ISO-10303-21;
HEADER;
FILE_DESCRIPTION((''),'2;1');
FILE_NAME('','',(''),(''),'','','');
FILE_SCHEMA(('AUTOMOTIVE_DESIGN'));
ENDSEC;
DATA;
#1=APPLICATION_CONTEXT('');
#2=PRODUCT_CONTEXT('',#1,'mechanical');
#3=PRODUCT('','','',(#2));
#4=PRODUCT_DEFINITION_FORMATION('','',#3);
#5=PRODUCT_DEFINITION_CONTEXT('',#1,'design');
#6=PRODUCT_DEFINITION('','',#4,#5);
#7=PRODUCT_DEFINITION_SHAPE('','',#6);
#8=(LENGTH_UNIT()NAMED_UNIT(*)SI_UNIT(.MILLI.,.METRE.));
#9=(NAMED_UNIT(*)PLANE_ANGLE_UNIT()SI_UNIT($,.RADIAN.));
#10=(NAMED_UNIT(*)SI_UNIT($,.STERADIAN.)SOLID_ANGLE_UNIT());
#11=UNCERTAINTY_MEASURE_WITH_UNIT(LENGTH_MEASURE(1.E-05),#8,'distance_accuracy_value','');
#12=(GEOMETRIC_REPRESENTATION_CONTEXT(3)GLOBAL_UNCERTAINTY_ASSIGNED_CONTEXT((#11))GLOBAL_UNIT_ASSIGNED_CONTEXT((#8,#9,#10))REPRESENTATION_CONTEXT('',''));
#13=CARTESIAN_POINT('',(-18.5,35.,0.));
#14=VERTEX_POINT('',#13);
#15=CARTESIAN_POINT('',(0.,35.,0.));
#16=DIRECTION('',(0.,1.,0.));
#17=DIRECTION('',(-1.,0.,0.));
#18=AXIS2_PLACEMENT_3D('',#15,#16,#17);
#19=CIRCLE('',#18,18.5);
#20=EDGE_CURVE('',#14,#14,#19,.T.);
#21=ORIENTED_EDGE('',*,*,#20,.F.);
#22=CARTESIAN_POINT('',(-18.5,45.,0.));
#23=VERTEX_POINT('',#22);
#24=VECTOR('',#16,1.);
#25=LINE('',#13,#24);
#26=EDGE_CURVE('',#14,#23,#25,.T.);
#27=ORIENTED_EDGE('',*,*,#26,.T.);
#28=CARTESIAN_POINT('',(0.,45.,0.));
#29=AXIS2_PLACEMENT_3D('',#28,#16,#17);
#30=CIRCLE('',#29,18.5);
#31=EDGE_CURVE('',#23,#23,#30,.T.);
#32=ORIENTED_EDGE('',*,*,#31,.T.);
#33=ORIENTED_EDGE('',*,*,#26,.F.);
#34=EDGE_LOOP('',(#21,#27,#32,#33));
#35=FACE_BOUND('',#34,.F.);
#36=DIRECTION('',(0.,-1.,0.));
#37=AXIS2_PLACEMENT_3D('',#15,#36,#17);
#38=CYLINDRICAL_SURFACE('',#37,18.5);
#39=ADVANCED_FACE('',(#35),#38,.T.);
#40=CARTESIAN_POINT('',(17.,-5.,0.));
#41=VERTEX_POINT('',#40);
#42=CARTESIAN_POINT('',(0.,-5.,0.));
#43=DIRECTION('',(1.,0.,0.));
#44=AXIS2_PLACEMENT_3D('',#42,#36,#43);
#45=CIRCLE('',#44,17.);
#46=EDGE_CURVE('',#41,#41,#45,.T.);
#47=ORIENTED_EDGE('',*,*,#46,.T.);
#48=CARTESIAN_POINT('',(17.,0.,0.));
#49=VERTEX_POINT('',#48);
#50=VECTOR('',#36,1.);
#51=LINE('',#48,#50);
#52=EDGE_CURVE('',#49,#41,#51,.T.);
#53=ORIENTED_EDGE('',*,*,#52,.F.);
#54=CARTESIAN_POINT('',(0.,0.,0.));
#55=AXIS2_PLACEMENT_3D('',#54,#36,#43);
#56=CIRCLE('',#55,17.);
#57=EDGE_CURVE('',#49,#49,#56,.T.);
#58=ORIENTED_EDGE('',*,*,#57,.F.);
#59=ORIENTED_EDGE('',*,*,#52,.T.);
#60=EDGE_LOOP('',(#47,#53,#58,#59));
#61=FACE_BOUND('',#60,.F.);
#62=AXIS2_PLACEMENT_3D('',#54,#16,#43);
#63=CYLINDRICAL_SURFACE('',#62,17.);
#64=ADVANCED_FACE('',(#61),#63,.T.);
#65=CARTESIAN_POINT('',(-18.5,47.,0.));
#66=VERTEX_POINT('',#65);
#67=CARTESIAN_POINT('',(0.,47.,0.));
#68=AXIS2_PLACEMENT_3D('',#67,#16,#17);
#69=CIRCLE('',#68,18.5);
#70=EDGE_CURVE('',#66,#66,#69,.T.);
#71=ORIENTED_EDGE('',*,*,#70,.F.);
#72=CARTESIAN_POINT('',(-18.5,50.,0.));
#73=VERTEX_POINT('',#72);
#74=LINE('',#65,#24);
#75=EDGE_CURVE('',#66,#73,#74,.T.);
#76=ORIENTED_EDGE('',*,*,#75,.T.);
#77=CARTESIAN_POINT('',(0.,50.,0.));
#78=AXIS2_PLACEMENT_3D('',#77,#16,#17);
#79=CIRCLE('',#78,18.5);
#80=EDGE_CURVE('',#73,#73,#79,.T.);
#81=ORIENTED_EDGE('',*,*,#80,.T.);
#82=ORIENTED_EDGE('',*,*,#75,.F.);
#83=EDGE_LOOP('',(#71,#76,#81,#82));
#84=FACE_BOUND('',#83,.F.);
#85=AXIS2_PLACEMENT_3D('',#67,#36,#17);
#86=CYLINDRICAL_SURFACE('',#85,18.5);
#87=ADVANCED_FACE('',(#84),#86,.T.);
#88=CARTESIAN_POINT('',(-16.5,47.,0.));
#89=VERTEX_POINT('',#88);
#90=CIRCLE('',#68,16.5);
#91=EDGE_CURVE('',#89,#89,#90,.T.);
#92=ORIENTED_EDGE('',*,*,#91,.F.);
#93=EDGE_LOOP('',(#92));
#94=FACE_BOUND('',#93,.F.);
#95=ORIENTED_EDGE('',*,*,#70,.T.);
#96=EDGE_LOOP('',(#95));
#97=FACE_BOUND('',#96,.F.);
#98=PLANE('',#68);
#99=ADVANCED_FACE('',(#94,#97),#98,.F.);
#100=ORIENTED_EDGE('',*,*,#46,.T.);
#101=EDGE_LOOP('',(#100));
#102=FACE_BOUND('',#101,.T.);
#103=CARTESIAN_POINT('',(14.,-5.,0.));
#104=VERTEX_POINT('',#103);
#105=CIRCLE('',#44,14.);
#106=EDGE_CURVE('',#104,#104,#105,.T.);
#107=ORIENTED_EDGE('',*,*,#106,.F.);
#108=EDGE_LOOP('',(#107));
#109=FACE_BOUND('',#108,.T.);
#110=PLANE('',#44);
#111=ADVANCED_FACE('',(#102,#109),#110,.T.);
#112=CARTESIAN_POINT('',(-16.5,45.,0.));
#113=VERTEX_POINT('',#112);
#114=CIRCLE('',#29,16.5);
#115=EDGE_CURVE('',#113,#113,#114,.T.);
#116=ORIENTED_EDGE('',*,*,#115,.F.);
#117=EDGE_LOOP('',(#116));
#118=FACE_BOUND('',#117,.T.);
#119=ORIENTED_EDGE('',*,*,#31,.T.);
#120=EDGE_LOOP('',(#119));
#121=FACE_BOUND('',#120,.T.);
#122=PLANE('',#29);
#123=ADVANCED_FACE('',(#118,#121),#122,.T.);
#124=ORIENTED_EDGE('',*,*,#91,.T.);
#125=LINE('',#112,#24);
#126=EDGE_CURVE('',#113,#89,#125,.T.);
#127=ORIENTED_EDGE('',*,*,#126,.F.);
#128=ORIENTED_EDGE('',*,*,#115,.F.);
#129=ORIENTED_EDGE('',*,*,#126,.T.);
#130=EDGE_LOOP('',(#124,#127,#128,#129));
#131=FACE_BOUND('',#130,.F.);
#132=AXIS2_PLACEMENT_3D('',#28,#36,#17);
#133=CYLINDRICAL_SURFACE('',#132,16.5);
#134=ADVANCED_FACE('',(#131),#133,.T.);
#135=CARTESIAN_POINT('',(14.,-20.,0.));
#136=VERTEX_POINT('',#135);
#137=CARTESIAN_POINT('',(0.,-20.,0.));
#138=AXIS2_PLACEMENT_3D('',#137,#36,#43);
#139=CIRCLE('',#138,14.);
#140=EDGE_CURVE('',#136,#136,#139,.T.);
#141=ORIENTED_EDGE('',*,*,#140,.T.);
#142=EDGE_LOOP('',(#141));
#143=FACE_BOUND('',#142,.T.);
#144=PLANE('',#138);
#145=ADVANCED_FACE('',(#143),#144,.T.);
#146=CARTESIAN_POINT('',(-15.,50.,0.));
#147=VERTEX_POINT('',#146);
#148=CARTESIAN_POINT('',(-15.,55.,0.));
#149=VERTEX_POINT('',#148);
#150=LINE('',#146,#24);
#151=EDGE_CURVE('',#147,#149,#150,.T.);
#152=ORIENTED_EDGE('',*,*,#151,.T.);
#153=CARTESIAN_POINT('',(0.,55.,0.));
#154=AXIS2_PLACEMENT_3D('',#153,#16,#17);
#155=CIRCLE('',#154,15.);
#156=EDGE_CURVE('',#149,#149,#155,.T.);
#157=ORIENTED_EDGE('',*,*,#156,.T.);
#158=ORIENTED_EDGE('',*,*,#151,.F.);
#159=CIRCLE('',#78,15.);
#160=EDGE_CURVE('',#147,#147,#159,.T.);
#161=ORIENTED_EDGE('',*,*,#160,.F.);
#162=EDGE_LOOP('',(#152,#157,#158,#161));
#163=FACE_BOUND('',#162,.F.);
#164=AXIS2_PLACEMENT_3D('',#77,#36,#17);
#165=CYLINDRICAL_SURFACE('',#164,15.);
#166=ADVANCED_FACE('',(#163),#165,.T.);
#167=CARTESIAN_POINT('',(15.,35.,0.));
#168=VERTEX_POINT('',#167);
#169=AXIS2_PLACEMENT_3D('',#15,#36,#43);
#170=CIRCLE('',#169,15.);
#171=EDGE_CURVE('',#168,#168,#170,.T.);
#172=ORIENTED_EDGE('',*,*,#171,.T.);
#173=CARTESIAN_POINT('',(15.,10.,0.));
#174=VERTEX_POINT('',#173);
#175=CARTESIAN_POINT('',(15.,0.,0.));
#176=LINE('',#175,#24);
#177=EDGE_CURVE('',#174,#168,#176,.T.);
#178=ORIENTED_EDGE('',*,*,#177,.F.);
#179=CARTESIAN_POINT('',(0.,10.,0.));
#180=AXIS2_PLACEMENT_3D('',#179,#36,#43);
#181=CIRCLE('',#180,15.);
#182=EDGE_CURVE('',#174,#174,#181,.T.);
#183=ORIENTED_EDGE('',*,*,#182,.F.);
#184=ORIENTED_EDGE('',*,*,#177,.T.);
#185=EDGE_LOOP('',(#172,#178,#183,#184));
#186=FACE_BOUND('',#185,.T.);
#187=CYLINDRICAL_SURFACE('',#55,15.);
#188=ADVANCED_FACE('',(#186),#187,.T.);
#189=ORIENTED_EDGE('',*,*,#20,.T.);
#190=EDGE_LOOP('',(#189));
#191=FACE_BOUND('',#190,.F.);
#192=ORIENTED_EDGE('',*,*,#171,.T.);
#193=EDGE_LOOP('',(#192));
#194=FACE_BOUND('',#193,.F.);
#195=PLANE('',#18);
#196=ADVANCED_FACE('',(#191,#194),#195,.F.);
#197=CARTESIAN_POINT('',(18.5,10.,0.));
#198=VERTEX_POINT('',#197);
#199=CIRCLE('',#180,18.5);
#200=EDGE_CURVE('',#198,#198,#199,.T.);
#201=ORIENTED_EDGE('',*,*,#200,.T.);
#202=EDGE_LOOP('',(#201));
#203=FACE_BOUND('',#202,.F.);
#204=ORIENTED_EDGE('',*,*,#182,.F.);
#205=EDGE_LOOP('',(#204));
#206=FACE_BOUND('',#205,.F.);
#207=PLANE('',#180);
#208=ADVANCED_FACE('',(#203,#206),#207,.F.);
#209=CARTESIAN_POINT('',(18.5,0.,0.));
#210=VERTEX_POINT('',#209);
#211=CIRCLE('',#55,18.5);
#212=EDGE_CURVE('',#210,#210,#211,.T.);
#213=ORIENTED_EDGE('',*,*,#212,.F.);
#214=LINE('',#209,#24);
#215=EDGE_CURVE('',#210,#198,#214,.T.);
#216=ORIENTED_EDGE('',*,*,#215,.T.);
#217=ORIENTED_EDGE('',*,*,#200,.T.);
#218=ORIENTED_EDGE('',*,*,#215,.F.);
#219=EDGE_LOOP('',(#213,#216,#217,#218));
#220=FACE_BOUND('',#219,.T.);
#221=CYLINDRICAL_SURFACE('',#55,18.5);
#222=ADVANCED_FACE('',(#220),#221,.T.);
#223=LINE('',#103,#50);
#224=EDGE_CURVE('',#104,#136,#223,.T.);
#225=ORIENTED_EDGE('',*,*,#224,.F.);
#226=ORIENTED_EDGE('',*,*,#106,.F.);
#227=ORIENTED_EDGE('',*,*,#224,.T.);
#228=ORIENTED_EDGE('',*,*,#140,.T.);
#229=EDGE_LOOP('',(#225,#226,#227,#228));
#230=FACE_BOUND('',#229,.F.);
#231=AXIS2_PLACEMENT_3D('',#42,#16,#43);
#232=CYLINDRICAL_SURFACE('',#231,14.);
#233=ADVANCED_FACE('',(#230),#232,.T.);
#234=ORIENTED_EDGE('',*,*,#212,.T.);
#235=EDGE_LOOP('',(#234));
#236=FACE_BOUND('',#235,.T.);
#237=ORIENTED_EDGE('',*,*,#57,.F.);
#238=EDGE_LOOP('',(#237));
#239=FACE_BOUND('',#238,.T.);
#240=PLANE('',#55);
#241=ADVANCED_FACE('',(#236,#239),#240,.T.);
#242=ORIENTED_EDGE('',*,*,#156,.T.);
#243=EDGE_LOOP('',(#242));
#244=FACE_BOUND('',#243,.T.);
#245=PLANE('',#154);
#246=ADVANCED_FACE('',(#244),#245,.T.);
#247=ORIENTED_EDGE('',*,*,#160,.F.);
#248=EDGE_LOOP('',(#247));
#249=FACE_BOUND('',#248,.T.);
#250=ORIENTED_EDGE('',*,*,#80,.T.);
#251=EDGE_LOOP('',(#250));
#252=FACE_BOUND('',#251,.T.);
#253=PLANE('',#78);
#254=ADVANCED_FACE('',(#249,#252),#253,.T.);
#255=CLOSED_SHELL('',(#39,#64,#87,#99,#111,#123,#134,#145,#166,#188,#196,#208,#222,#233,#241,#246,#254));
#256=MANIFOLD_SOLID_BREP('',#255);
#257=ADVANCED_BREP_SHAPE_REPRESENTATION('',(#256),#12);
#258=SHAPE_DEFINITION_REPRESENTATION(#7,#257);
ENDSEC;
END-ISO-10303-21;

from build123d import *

# Parameters (mm, degrees)
F0_R      = 17
F1_DEPTH  = 5
F2_R      = 14
F3_DEPTH  = 15
F4_R      = 18.5
F5_DEPTH  = 10
F6_R      = 15
F7_DEPTH  = 35
F8_R      = 18.5
F9_DEPTH  = 10
F10_R     = 16.5
F11_DEPTH = 2
F12_R     = 18.5
F13_DEPTH = 3
F14_R     = 15
F15_DEPTH = 5


with BuildPart() as f1:
    # F0 (on Front) → F1 (new body)
    with BuildSketch(Plane.XZ):
        Circle(F0_R)
    extrude(amount=F1_DEPTH)

    # F2 (on face) → F3 (join)
    with BuildSketch(Plane.XZ.offset(5)):
        Circle(F2_R)
    extrude(amount=F3_DEPTH)

    # F4 (on Front) → F5 (join)
    with BuildSketch(Plane.XZ):
        Circle(F4_R)
    extrude(amount=-F5_DEPTH)

    # F6 (on Front) → F7 (join)
    with BuildSketch(Plane.XZ):
        Circle(F6_R)
    extrude(amount=-F7_DEPTH)

    # F8 (on face) → F9 (join)
    with BuildSketch(Plane(origin=(0, 35, 0), x_dir=(-1, 0, 0), z_dir=(0, 1, 0))):
        Circle(F8_R)
    extrude(amount=F9_DEPTH)

    # F10 (on face) → F11 (join)
    with BuildSketch(Plane(origin=(0, 45, 0), x_dir=(-1, 0, 0), z_dir=(0, 1, 0))):
        Circle(F10_R)
    extrude(amount=F11_DEPTH)

    # F12 (on face) → F13 (join)
    with BuildSketch(Plane(origin=(0, 47, 0), x_dir=(-1, 0, 0), z_dir=(0, 1, 0))):
        Circle(F12_R)
    extrude(amount=F13_DEPTH)

    # F14 (on face) → F15 (join)
    with BuildSketch(Plane(origin=(0, 50, 0), x_dir=(-1, 0, 0), z_dir=(0, 1, 0))):
        Circle(F14_R)
    extrude(amount=F15_DEPTH)


solid = f1.part
